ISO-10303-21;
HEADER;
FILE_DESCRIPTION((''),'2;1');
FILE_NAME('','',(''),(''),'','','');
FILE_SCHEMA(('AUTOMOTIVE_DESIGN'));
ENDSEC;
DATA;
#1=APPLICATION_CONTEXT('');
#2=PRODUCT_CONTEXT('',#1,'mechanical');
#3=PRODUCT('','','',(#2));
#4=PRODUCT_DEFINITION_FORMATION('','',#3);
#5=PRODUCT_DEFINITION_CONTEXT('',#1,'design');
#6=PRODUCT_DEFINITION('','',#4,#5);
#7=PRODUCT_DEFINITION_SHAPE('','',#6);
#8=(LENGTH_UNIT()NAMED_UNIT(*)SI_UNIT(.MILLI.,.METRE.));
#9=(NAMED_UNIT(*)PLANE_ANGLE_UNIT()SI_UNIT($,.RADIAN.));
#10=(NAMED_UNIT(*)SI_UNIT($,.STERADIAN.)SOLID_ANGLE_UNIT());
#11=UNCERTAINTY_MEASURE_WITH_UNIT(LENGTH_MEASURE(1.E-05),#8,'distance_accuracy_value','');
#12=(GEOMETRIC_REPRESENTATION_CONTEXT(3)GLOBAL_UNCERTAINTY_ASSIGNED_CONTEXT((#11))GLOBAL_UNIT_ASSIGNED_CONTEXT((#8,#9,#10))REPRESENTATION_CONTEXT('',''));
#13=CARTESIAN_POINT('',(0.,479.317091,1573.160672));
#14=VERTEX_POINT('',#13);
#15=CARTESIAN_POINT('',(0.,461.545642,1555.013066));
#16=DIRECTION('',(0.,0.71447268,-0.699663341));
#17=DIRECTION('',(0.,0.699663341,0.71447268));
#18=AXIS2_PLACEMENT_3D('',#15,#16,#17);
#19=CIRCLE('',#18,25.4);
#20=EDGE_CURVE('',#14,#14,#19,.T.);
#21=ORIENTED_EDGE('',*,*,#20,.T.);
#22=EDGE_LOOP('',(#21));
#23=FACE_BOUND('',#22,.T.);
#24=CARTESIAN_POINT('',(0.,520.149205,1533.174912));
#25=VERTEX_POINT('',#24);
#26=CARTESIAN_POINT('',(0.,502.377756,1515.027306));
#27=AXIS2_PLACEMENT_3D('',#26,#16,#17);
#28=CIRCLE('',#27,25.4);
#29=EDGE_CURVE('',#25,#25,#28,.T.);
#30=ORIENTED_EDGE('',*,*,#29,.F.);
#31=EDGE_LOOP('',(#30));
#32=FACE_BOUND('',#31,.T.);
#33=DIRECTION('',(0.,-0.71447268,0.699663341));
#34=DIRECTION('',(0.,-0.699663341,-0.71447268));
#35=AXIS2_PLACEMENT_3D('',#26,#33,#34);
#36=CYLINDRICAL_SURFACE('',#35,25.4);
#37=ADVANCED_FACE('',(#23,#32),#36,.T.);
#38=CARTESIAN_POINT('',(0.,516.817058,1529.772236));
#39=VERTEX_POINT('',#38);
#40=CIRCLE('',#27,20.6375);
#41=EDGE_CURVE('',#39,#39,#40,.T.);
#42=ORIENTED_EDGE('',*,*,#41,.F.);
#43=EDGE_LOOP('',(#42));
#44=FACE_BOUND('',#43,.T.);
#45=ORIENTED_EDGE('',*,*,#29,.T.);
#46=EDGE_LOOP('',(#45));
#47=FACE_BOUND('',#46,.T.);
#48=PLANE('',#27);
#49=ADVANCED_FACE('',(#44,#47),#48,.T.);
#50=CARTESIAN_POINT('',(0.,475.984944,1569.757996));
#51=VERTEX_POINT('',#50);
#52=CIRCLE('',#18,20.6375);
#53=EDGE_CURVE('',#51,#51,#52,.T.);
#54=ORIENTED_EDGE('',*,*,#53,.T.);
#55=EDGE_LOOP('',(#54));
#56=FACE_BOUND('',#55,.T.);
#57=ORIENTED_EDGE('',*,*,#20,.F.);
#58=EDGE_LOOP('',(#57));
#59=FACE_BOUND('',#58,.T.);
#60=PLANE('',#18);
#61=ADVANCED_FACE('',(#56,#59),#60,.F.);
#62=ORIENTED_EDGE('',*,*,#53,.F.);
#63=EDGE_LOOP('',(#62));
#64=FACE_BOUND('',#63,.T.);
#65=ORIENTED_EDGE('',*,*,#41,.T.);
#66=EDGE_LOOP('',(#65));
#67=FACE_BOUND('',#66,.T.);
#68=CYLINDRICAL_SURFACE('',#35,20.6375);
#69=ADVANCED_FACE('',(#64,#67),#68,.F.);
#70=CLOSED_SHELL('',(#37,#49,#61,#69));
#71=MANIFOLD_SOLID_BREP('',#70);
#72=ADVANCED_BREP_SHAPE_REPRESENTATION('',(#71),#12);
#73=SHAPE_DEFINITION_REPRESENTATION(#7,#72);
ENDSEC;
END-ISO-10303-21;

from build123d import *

# Parameters (mm, degrees)
SKETCH3_R           = 25.4
SKETCH3_R_2         = 20.6375
BOSS_EXTRUDE1_DEPTH = 28.575


with BuildPart() as part:
    # Sketch3 → Boss-Extrude1 (new body, symmetric)
    with BuildSketch(Plane(origin=(0, -521.314193807, 510.508576036), x_dir=(1, 0, 0), z_dir=(0, 0.71447268, -0.699663341))):
        with Locations((0, -1433.940917959)):
            Circle(SKETCH3_R)
        with Locations((0, -1433.940917959)):
            Circle(SKETCH3_R_2, mode=Mode.SUBTRACT)
    extrude(amount=BOSS_EXTRUDE1_DEPTH, both=True)


solid = part.part
